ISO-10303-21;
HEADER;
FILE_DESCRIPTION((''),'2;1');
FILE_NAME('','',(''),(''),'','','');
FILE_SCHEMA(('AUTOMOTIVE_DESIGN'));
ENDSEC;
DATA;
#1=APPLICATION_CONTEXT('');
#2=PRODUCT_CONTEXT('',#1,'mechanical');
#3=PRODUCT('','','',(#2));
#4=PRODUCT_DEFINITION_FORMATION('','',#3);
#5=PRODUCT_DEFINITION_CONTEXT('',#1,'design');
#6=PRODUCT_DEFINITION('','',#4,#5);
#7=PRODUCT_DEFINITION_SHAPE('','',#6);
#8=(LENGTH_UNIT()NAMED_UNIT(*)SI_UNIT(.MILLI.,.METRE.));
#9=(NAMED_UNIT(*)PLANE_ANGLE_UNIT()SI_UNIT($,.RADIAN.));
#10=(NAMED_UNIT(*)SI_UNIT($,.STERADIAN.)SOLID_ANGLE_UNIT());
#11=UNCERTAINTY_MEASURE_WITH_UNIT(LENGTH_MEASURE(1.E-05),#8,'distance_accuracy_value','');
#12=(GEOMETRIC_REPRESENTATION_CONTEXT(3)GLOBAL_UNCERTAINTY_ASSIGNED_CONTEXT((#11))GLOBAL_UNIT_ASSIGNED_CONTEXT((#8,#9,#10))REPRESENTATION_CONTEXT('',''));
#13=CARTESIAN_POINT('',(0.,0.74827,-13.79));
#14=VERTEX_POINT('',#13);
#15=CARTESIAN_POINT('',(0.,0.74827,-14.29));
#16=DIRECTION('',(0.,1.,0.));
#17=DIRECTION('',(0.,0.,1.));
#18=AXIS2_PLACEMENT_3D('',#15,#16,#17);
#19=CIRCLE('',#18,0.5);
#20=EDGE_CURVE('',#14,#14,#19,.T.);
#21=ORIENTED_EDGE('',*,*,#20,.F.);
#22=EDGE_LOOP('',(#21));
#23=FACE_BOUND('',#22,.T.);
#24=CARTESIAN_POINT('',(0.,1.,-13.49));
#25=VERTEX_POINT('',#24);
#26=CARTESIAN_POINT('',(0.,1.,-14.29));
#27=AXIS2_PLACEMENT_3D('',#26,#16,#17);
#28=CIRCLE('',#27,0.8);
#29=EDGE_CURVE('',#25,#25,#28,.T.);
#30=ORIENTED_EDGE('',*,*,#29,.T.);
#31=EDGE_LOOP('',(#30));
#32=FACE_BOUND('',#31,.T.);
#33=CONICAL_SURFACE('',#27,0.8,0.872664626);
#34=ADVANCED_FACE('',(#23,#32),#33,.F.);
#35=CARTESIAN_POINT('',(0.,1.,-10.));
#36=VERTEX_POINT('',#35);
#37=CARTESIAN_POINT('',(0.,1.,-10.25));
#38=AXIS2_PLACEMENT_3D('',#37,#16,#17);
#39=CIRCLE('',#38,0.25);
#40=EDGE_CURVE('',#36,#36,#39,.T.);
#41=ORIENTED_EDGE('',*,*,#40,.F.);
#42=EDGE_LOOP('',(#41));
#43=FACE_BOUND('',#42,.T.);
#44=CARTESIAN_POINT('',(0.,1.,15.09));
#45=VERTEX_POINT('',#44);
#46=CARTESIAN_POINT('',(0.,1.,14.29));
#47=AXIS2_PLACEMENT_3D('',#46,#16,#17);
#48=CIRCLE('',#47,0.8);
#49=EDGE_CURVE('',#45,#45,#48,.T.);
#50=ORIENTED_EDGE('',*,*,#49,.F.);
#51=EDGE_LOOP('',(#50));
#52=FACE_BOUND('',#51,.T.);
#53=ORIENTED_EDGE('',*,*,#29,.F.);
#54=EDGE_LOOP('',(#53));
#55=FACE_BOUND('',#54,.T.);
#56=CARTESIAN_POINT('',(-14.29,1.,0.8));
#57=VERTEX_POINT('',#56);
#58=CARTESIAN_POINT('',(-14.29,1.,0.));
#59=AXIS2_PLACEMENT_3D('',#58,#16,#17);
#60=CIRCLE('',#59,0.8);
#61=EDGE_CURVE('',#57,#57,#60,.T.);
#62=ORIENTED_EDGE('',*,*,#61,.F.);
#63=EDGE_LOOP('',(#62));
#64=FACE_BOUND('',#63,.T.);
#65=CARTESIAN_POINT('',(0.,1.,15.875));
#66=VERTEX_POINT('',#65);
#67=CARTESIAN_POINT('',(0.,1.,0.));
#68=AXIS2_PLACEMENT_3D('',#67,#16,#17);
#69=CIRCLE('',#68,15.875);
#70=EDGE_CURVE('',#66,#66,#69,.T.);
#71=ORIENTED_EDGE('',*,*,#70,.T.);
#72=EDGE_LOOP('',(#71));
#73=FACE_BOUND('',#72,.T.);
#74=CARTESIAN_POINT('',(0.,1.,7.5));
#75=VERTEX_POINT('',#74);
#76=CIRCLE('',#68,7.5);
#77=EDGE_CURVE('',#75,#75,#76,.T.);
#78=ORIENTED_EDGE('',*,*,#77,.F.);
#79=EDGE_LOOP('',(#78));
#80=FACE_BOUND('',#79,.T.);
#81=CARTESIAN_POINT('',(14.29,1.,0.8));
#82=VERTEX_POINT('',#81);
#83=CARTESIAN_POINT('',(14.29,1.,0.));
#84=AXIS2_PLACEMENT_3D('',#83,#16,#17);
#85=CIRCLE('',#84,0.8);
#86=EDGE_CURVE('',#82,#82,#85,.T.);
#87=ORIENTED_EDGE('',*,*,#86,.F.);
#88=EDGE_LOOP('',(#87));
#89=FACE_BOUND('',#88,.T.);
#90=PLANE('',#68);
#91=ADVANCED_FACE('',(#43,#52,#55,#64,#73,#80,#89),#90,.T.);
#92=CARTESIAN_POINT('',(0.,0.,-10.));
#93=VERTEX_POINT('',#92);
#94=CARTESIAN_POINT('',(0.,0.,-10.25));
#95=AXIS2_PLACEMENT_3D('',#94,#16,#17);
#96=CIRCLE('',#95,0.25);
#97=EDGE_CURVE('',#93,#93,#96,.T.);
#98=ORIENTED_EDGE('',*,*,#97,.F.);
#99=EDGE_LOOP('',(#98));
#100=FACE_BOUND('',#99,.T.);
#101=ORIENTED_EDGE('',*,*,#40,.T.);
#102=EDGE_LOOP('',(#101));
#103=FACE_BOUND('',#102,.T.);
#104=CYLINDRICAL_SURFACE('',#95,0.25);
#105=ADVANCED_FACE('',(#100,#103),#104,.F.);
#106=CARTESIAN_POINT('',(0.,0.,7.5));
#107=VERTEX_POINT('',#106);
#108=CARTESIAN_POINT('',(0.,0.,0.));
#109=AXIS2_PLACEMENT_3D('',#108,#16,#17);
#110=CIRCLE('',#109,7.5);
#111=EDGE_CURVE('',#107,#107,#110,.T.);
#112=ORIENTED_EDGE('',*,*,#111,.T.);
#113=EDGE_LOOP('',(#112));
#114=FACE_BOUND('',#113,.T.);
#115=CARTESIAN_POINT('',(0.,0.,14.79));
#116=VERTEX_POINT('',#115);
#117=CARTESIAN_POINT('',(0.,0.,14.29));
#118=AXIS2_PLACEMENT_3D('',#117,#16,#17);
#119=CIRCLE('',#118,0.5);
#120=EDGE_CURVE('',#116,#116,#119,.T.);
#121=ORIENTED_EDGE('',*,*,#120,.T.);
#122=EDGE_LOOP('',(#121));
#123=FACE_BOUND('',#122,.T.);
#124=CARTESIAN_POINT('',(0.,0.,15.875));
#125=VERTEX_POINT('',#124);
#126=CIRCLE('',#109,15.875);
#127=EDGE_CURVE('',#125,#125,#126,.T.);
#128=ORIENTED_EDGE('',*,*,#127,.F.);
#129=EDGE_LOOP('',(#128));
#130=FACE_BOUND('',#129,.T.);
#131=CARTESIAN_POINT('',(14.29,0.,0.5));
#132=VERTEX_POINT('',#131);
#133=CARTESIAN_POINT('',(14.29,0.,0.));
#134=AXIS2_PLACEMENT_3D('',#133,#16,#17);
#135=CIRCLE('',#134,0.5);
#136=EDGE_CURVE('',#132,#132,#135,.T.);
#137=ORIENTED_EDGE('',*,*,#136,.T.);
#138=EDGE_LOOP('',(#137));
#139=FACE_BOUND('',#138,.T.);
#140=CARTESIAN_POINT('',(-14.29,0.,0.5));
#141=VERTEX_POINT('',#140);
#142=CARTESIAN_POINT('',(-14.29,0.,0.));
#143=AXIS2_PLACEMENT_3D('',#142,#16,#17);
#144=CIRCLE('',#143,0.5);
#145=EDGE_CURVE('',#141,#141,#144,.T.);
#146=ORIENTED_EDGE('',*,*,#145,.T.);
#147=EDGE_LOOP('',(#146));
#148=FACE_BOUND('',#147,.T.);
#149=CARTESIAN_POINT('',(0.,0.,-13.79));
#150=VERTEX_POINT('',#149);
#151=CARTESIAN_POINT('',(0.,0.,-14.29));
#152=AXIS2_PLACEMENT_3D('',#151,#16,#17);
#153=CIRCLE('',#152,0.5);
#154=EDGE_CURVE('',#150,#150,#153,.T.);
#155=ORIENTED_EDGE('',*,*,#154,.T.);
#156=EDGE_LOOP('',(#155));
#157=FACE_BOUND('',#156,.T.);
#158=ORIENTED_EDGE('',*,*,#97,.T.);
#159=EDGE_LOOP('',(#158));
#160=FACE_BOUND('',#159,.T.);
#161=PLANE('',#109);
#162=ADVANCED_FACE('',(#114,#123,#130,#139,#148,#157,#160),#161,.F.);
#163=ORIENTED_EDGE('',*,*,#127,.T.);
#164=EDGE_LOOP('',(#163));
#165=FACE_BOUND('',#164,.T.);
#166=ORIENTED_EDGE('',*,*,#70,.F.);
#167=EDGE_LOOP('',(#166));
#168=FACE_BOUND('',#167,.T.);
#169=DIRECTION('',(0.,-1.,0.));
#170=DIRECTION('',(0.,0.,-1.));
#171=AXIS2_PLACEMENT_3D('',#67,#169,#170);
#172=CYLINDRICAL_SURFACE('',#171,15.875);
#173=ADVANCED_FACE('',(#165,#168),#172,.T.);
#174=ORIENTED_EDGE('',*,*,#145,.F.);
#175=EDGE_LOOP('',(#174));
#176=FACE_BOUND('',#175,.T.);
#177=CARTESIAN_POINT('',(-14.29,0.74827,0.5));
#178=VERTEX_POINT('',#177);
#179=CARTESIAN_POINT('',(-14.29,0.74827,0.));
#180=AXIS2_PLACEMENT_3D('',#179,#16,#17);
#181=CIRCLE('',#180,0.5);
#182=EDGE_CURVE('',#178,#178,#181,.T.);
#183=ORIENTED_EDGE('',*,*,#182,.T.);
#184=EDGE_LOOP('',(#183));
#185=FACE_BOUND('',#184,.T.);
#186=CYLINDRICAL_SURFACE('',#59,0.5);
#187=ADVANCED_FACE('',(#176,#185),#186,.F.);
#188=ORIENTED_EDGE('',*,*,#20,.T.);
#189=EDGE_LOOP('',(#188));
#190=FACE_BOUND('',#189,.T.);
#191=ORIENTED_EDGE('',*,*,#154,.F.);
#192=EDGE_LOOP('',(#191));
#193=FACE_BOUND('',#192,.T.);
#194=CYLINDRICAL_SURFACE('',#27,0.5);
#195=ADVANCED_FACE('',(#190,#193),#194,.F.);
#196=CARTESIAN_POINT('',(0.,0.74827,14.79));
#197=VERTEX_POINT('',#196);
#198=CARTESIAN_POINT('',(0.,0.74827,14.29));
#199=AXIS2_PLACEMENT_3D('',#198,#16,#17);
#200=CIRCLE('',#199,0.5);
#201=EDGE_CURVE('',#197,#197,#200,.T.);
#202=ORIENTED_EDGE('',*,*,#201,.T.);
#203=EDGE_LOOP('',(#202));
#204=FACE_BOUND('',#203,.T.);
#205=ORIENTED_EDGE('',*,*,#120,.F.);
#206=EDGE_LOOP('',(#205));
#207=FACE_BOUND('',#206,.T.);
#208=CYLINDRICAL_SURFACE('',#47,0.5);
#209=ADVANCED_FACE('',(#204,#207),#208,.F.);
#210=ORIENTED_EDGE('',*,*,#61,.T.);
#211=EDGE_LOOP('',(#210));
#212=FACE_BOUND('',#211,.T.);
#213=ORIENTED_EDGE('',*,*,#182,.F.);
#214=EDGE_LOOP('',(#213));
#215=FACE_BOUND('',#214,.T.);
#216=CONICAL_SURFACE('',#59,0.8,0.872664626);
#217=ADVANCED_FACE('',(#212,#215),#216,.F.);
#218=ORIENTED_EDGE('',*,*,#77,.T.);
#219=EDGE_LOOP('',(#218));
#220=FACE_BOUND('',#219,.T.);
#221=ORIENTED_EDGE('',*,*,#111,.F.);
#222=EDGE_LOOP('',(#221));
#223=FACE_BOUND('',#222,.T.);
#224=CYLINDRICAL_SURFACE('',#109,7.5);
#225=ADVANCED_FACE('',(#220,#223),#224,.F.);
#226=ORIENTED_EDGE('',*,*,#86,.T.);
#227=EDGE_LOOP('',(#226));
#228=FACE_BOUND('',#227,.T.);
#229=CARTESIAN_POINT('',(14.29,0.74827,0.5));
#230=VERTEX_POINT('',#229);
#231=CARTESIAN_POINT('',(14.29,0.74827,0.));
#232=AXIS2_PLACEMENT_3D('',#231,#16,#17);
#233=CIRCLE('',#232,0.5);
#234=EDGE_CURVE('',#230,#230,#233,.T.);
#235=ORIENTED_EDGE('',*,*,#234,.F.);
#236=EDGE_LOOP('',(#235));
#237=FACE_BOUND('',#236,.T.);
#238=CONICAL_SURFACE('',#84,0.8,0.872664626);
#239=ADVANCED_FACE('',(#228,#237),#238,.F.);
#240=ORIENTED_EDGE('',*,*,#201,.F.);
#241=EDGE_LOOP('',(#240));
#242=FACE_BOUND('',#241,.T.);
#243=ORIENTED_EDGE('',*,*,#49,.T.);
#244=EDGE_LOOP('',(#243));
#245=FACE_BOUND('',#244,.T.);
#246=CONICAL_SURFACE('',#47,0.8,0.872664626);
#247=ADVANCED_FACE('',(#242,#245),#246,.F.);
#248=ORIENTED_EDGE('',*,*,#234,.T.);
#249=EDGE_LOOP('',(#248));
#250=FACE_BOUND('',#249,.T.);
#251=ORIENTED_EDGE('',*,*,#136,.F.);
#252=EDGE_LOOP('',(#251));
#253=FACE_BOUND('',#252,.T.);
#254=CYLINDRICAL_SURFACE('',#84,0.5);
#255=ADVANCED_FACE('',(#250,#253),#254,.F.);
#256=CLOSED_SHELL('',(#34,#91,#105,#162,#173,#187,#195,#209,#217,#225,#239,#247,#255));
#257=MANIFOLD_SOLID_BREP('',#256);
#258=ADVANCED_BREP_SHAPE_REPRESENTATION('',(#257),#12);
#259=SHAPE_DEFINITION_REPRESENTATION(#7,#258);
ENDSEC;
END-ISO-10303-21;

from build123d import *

# Parameters (mm, degrees)
SKETCH1_R                                       = 15.875
BOSS_EXTRUDE1_DEPTH                             = 1
CUT_EXTRUDE1_DEPTH                              = 23.472900347
CUT_EXTRUDE1_DEPTH_BACK                         = 23.472900347
SKETCH2_R                                       = 7.5
CUT_EXTRUDE2_DEPTH                              = 23.472900347
CUT_EXTRUDE2_DEPTH_BACK                         = 23.472900347
SKETCH4_R                                       = 0.25
CSK_FOR_M2_FLAT_HEAD_MACHINE_SCREW1_D           = 1
CSK_FOR_M2_FLAT_HEAD_MACHINE_SCREW1_CSINK_D     = 1.6
CSK_FOR_M2_FLAT_HEAD_MACHINE_SCREW1_CSINK_ANGLE = 100


with BuildPart() as part:
    # Sketch1 → Boss-Extrude1 (new body)
    with BuildSketch(Plane(origin=(0, 0, 0), x_dir=(1, 0, 0), z_dir=(0, 1, 0))):
        with Locations(Location((0, 0, 0), (0, 0, 270))):
            Circle(SKETCH1_R)
    extrude(amount=BOSS_EXTRUDE1_DEPTH)

    # Sketch2 → Cut-Extrude1 (cut, two sides: drawn at the far end of the back side and taken through both)
    with BuildSketch(Plane(origin=(0, 1, 0), x_dir=(1, 0, 0), z_dir=(0, 1, 0)).offset(-CUT_EXTRUDE1_DEPTH_BACK)):
        with Locations(Location((0, 0, 0), (0, 0, 270))):
            Circle(SKETCH2_R)
    extrude(amount=CUT_EXTRUDE1_DEPTH + CUT_EXTRUDE1_DEPTH_BACK, mode=Mode.SUBTRACT)

    # Sketch4 → Cut-Extrude2 (cut, two sides: drawn at the far end of the back side and taken through both)
    with BuildSketch(Plane(origin=(0, 1, 0), x_dir=(1, 0, 0), z_dir=(0, 1, 0)).offset(-CUT_EXTRUDE2_DEPTH_BACK)):
        with Locations(Location((0, 10.25, 0), (0, 0, 270))):
            Circle(SKETCH4_R)
    extrude(amount=CUT_EXTRUDE2_DEPTH + CUT_EXTRUDE2_DEPTH_BACK, mode=Mode.SUBTRACT)

    # CSK for M2 Flat Head Machine Screw1 (through all)
    with Locations(Plane(origin=(0, 1, 0), x_dir=(1, 0, 0), z_dir=(0, 1, 0))):
        with Locations((0, 14.29), (14.29, 0), (0, -14.29), (-14.29, 0)):
            CounterSinkHole(CSK_FOR_M2_FLAT_HEAD_MACHINE_SCREW1_D / 2, CSK_FOR_M2_FLAT_HEAD_MACHINE_SCREW1_CSINK_D / 2, counter_sink_angle=CSK_FOR_M2_FLAT_HEAD_MACHINE_SCREW1_CSINK_ANGLE)


solid = part.part
